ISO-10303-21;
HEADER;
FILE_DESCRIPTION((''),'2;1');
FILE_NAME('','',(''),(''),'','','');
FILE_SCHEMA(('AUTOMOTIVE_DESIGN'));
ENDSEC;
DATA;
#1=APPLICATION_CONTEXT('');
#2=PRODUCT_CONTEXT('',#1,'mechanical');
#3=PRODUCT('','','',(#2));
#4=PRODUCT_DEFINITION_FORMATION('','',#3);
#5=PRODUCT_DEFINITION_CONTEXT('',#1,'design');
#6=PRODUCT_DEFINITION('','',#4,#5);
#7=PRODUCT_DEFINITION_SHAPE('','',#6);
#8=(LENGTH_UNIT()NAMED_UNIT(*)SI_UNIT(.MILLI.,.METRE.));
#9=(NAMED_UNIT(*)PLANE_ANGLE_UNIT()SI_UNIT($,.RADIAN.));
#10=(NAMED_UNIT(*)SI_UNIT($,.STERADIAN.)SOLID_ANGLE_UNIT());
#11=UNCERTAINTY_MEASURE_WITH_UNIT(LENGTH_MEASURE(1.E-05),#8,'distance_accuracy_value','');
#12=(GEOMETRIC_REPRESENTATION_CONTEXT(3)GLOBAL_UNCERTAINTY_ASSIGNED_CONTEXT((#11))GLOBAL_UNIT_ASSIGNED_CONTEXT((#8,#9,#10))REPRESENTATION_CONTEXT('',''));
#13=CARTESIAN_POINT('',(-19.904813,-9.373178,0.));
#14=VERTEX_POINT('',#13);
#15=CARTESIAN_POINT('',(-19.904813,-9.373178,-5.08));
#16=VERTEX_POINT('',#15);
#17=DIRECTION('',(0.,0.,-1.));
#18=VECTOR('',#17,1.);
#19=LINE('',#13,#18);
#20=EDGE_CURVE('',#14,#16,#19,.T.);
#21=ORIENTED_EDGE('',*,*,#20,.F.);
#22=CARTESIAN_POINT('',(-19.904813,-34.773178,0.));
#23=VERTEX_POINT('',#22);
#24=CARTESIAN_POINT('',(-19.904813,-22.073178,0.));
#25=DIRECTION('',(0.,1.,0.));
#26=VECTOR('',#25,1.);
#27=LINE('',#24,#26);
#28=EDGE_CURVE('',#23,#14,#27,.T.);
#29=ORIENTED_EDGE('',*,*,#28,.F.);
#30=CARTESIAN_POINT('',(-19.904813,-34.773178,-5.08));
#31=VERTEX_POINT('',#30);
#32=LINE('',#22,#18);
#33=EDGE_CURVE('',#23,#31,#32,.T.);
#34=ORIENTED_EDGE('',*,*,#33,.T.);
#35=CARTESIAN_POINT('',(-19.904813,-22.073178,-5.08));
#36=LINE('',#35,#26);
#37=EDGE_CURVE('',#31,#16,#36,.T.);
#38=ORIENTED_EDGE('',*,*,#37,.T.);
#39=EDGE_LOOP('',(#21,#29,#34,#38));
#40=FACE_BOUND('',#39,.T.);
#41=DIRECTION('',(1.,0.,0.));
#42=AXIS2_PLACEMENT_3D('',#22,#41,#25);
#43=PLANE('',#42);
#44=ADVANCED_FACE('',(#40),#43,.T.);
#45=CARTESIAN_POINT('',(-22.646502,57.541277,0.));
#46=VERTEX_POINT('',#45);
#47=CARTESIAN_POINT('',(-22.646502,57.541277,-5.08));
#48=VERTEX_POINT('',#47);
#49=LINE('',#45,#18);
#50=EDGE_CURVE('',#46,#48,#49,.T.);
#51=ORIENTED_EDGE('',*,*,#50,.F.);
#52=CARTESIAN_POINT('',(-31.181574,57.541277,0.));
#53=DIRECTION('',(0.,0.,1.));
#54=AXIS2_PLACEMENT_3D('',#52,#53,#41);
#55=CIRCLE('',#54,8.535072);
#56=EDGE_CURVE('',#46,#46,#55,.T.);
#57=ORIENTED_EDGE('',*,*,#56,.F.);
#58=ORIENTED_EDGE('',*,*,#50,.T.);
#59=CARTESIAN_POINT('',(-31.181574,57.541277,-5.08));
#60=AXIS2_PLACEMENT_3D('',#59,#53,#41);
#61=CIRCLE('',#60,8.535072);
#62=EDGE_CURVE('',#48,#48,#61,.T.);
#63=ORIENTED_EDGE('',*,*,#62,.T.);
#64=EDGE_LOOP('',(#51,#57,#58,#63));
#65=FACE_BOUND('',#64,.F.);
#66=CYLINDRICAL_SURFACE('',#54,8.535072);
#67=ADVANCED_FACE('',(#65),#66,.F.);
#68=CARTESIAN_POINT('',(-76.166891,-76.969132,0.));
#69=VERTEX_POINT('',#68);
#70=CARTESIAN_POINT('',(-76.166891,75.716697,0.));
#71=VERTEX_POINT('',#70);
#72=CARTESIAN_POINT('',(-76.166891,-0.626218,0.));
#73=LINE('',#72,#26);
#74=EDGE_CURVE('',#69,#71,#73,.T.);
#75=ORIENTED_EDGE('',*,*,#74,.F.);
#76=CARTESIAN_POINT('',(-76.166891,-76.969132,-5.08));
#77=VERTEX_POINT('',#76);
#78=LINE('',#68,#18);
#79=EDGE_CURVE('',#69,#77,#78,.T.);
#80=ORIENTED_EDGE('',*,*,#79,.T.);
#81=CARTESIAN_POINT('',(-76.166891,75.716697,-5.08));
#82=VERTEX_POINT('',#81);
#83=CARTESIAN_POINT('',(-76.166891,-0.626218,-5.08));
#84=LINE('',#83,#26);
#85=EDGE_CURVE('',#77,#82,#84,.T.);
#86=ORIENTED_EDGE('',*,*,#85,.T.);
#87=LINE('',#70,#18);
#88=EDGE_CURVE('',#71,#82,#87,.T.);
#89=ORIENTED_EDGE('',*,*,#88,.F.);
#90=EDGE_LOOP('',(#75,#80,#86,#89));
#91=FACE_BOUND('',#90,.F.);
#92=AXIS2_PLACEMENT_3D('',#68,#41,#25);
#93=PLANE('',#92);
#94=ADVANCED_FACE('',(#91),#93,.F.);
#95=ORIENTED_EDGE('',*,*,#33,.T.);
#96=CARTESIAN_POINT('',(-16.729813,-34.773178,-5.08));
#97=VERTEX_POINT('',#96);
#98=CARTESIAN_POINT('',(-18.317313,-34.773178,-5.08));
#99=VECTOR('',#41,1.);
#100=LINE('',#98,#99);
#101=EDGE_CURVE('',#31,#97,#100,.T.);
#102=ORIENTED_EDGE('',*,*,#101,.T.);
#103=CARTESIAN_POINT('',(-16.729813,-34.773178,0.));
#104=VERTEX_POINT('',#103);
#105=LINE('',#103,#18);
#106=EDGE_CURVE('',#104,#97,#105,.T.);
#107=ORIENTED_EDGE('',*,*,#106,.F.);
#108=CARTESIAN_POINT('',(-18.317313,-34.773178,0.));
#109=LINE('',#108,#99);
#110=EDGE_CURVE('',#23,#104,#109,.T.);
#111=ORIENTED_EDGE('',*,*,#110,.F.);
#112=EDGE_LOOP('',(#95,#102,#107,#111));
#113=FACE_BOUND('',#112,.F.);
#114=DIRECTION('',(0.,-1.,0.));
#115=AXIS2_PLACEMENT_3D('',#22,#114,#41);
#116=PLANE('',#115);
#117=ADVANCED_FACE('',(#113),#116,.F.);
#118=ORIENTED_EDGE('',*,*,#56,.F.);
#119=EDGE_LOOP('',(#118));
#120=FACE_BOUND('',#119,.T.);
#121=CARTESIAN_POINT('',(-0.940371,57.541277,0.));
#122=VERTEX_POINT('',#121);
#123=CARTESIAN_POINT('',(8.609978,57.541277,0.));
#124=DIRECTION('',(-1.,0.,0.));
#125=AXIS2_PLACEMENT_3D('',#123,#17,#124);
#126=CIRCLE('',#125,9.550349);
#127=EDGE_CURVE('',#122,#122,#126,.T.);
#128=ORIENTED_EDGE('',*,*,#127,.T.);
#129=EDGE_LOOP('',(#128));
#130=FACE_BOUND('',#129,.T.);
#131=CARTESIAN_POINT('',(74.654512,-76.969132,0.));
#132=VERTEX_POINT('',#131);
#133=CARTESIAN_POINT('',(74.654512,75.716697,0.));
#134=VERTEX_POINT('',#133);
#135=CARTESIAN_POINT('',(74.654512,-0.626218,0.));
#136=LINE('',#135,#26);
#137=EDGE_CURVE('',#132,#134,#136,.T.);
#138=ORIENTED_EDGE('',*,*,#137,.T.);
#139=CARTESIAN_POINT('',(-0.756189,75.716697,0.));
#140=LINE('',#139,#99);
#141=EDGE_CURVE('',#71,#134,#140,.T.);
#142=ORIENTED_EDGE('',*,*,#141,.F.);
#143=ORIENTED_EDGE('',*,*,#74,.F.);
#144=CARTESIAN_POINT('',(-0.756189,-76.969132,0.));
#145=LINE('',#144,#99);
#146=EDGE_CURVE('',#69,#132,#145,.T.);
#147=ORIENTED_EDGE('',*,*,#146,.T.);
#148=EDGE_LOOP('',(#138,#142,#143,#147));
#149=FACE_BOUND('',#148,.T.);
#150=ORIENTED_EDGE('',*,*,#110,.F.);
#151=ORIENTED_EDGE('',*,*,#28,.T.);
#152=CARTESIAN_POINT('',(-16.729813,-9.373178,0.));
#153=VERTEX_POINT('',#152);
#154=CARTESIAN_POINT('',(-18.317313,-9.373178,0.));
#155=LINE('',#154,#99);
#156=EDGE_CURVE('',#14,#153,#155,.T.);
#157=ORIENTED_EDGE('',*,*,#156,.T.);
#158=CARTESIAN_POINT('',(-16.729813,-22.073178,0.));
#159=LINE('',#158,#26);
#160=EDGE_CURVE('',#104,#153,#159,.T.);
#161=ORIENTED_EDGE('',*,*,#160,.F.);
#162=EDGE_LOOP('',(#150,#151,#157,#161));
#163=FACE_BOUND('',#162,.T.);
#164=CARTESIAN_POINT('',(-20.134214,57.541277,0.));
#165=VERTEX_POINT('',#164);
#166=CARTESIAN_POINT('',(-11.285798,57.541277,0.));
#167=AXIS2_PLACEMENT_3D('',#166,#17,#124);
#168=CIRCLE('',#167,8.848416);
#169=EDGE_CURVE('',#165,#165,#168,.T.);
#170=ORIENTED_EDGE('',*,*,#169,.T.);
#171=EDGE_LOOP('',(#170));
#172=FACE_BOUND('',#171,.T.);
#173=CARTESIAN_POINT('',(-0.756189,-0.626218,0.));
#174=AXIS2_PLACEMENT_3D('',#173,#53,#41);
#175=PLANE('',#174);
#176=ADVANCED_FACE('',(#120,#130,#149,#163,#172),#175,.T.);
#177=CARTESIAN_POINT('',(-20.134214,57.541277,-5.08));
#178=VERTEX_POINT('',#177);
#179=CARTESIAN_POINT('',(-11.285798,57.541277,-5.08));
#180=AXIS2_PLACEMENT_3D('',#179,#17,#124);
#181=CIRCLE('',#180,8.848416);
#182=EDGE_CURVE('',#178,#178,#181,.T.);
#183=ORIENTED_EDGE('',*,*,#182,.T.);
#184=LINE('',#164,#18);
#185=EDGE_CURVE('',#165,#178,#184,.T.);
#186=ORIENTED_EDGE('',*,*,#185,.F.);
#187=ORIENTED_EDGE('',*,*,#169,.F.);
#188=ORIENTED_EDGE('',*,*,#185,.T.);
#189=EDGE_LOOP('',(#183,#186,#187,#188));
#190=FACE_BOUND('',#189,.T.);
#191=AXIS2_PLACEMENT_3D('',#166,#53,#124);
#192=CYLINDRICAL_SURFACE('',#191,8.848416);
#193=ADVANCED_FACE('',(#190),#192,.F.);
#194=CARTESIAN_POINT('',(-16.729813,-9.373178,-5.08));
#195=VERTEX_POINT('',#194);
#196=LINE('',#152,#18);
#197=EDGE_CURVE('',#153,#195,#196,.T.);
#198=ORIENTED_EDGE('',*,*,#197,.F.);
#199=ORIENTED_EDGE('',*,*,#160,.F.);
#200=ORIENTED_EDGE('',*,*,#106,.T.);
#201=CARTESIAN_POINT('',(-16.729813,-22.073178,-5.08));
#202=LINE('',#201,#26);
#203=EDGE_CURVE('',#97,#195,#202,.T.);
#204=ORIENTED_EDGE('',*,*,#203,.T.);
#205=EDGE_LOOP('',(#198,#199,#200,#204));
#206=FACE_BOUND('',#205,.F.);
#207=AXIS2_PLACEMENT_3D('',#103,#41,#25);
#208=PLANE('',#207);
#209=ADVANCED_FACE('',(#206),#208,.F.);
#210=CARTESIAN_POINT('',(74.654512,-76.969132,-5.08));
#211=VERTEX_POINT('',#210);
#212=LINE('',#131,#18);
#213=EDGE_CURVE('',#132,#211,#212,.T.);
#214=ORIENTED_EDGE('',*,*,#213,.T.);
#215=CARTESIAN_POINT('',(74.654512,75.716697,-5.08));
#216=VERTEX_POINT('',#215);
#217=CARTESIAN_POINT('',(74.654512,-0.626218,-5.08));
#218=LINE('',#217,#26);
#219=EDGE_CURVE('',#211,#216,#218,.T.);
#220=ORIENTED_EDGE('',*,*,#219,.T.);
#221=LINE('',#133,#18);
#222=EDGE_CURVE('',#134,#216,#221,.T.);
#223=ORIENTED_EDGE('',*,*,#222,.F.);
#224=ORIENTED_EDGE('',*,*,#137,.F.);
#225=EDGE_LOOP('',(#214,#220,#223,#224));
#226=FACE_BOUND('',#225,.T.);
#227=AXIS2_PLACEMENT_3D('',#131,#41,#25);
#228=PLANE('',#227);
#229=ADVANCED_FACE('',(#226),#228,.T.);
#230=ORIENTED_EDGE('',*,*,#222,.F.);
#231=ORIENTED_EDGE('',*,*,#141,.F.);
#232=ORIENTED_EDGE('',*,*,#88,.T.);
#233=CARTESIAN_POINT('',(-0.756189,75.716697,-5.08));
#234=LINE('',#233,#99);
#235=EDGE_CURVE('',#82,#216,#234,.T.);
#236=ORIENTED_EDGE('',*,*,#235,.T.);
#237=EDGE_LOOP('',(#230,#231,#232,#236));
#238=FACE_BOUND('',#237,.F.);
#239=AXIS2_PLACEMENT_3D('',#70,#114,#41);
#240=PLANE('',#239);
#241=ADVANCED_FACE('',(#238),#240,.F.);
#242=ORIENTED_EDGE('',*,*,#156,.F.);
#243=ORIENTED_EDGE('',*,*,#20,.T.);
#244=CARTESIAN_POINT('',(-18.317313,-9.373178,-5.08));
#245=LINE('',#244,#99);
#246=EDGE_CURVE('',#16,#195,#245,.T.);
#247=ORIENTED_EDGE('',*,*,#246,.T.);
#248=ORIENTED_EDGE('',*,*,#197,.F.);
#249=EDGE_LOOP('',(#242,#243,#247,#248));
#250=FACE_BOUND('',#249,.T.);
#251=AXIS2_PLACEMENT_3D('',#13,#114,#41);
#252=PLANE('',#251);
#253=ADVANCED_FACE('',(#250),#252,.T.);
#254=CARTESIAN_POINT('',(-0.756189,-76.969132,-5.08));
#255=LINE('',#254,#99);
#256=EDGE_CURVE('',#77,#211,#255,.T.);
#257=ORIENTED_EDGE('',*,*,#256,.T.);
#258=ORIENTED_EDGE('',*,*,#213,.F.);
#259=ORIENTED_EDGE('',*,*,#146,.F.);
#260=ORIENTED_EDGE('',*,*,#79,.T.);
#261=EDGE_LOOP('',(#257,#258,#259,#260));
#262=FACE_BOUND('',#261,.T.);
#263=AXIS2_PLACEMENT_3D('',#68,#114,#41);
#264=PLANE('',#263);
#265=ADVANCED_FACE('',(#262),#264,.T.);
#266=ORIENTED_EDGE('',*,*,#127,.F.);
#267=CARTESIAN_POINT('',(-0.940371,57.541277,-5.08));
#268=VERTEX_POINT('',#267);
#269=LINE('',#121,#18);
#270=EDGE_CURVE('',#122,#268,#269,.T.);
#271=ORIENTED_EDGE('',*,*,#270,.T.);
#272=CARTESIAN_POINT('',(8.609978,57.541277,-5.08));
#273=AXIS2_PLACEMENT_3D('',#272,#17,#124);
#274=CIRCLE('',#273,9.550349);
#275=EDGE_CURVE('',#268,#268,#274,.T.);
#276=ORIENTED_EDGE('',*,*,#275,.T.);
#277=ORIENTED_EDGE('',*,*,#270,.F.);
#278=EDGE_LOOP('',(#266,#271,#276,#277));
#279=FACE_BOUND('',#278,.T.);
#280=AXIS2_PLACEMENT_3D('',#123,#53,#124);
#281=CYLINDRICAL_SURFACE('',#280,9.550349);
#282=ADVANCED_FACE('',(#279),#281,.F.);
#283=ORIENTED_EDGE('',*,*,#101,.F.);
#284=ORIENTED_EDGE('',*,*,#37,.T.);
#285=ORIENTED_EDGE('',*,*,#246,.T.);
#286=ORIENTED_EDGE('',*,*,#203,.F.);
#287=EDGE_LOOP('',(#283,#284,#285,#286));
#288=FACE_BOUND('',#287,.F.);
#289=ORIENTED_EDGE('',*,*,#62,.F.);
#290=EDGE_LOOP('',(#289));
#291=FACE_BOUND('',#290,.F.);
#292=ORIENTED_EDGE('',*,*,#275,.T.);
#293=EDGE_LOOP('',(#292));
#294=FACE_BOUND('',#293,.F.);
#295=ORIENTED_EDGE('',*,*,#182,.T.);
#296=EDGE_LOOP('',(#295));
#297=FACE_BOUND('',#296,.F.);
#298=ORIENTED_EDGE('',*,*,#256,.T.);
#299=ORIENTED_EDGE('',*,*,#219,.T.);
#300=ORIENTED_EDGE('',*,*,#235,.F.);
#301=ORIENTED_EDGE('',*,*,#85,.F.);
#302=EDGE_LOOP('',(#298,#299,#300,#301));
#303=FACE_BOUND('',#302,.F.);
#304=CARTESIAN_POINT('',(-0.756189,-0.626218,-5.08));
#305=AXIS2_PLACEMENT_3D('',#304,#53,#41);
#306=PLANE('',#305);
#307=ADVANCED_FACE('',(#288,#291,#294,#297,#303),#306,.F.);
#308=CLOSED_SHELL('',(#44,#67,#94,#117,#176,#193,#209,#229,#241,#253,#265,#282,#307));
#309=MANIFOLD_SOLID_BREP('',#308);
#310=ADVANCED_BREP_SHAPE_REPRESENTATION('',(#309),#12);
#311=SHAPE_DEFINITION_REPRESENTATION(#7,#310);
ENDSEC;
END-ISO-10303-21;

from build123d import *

# Parameters (mm, degrees)
F0_W     = 150.821402669
F0_H     = 152.6858285069
F0_W_2   = 3.175
F0_H_2   = 25.4
F0_R     = 8.5350721602
F1_DEPTH = 5.08


with BuildPart() as f1:
    # F0 (on Top) → F1 (new body)
    with BuildSketch(Plane.XY):
        with Locations((-0.7561892271, -0.6262175739)):
            Rectangle(F0_W, F0_H)
        with Locations((-18.3173127979, -22.0731783986)):
            Rectangle(F0_W_2, F0_H_2, mode=Mode.SUBTRACT)
        with Locations((-31.1815738678, 57.5412772596)):
            Circle(F0_R, mode=Mode.SUBTRACT)
        with BuildLine():
            ThreePointArc((-2.437382494, 57.5412772596), (-11.2857981585, 48.6928615951), (-20.134213823, 57.5412772596))
            ThreePointArc((-20.134213823, 57.5412772596), (-11.2857981585, 66.3896929241), (-2.437382494, 57.5412772596))
        make_face(mode=Mode.SUBTRACT)
        with BuildLine():
            ThreePointArc((18.1603263455, 57.5412772596), (8.6099775508, 47.9909284649), (-0.9403712439, 57.5412772596))
            ThreePointArc((-0.9403712439, 57.5412772596), (8.6099775508, 67.0916260543), (18.1603263455, 57.5412772596))
        make_face(mode=Mode.SUBTRACT)
    extrude(amount=-F1_DEPTH)


solid = f1.part
